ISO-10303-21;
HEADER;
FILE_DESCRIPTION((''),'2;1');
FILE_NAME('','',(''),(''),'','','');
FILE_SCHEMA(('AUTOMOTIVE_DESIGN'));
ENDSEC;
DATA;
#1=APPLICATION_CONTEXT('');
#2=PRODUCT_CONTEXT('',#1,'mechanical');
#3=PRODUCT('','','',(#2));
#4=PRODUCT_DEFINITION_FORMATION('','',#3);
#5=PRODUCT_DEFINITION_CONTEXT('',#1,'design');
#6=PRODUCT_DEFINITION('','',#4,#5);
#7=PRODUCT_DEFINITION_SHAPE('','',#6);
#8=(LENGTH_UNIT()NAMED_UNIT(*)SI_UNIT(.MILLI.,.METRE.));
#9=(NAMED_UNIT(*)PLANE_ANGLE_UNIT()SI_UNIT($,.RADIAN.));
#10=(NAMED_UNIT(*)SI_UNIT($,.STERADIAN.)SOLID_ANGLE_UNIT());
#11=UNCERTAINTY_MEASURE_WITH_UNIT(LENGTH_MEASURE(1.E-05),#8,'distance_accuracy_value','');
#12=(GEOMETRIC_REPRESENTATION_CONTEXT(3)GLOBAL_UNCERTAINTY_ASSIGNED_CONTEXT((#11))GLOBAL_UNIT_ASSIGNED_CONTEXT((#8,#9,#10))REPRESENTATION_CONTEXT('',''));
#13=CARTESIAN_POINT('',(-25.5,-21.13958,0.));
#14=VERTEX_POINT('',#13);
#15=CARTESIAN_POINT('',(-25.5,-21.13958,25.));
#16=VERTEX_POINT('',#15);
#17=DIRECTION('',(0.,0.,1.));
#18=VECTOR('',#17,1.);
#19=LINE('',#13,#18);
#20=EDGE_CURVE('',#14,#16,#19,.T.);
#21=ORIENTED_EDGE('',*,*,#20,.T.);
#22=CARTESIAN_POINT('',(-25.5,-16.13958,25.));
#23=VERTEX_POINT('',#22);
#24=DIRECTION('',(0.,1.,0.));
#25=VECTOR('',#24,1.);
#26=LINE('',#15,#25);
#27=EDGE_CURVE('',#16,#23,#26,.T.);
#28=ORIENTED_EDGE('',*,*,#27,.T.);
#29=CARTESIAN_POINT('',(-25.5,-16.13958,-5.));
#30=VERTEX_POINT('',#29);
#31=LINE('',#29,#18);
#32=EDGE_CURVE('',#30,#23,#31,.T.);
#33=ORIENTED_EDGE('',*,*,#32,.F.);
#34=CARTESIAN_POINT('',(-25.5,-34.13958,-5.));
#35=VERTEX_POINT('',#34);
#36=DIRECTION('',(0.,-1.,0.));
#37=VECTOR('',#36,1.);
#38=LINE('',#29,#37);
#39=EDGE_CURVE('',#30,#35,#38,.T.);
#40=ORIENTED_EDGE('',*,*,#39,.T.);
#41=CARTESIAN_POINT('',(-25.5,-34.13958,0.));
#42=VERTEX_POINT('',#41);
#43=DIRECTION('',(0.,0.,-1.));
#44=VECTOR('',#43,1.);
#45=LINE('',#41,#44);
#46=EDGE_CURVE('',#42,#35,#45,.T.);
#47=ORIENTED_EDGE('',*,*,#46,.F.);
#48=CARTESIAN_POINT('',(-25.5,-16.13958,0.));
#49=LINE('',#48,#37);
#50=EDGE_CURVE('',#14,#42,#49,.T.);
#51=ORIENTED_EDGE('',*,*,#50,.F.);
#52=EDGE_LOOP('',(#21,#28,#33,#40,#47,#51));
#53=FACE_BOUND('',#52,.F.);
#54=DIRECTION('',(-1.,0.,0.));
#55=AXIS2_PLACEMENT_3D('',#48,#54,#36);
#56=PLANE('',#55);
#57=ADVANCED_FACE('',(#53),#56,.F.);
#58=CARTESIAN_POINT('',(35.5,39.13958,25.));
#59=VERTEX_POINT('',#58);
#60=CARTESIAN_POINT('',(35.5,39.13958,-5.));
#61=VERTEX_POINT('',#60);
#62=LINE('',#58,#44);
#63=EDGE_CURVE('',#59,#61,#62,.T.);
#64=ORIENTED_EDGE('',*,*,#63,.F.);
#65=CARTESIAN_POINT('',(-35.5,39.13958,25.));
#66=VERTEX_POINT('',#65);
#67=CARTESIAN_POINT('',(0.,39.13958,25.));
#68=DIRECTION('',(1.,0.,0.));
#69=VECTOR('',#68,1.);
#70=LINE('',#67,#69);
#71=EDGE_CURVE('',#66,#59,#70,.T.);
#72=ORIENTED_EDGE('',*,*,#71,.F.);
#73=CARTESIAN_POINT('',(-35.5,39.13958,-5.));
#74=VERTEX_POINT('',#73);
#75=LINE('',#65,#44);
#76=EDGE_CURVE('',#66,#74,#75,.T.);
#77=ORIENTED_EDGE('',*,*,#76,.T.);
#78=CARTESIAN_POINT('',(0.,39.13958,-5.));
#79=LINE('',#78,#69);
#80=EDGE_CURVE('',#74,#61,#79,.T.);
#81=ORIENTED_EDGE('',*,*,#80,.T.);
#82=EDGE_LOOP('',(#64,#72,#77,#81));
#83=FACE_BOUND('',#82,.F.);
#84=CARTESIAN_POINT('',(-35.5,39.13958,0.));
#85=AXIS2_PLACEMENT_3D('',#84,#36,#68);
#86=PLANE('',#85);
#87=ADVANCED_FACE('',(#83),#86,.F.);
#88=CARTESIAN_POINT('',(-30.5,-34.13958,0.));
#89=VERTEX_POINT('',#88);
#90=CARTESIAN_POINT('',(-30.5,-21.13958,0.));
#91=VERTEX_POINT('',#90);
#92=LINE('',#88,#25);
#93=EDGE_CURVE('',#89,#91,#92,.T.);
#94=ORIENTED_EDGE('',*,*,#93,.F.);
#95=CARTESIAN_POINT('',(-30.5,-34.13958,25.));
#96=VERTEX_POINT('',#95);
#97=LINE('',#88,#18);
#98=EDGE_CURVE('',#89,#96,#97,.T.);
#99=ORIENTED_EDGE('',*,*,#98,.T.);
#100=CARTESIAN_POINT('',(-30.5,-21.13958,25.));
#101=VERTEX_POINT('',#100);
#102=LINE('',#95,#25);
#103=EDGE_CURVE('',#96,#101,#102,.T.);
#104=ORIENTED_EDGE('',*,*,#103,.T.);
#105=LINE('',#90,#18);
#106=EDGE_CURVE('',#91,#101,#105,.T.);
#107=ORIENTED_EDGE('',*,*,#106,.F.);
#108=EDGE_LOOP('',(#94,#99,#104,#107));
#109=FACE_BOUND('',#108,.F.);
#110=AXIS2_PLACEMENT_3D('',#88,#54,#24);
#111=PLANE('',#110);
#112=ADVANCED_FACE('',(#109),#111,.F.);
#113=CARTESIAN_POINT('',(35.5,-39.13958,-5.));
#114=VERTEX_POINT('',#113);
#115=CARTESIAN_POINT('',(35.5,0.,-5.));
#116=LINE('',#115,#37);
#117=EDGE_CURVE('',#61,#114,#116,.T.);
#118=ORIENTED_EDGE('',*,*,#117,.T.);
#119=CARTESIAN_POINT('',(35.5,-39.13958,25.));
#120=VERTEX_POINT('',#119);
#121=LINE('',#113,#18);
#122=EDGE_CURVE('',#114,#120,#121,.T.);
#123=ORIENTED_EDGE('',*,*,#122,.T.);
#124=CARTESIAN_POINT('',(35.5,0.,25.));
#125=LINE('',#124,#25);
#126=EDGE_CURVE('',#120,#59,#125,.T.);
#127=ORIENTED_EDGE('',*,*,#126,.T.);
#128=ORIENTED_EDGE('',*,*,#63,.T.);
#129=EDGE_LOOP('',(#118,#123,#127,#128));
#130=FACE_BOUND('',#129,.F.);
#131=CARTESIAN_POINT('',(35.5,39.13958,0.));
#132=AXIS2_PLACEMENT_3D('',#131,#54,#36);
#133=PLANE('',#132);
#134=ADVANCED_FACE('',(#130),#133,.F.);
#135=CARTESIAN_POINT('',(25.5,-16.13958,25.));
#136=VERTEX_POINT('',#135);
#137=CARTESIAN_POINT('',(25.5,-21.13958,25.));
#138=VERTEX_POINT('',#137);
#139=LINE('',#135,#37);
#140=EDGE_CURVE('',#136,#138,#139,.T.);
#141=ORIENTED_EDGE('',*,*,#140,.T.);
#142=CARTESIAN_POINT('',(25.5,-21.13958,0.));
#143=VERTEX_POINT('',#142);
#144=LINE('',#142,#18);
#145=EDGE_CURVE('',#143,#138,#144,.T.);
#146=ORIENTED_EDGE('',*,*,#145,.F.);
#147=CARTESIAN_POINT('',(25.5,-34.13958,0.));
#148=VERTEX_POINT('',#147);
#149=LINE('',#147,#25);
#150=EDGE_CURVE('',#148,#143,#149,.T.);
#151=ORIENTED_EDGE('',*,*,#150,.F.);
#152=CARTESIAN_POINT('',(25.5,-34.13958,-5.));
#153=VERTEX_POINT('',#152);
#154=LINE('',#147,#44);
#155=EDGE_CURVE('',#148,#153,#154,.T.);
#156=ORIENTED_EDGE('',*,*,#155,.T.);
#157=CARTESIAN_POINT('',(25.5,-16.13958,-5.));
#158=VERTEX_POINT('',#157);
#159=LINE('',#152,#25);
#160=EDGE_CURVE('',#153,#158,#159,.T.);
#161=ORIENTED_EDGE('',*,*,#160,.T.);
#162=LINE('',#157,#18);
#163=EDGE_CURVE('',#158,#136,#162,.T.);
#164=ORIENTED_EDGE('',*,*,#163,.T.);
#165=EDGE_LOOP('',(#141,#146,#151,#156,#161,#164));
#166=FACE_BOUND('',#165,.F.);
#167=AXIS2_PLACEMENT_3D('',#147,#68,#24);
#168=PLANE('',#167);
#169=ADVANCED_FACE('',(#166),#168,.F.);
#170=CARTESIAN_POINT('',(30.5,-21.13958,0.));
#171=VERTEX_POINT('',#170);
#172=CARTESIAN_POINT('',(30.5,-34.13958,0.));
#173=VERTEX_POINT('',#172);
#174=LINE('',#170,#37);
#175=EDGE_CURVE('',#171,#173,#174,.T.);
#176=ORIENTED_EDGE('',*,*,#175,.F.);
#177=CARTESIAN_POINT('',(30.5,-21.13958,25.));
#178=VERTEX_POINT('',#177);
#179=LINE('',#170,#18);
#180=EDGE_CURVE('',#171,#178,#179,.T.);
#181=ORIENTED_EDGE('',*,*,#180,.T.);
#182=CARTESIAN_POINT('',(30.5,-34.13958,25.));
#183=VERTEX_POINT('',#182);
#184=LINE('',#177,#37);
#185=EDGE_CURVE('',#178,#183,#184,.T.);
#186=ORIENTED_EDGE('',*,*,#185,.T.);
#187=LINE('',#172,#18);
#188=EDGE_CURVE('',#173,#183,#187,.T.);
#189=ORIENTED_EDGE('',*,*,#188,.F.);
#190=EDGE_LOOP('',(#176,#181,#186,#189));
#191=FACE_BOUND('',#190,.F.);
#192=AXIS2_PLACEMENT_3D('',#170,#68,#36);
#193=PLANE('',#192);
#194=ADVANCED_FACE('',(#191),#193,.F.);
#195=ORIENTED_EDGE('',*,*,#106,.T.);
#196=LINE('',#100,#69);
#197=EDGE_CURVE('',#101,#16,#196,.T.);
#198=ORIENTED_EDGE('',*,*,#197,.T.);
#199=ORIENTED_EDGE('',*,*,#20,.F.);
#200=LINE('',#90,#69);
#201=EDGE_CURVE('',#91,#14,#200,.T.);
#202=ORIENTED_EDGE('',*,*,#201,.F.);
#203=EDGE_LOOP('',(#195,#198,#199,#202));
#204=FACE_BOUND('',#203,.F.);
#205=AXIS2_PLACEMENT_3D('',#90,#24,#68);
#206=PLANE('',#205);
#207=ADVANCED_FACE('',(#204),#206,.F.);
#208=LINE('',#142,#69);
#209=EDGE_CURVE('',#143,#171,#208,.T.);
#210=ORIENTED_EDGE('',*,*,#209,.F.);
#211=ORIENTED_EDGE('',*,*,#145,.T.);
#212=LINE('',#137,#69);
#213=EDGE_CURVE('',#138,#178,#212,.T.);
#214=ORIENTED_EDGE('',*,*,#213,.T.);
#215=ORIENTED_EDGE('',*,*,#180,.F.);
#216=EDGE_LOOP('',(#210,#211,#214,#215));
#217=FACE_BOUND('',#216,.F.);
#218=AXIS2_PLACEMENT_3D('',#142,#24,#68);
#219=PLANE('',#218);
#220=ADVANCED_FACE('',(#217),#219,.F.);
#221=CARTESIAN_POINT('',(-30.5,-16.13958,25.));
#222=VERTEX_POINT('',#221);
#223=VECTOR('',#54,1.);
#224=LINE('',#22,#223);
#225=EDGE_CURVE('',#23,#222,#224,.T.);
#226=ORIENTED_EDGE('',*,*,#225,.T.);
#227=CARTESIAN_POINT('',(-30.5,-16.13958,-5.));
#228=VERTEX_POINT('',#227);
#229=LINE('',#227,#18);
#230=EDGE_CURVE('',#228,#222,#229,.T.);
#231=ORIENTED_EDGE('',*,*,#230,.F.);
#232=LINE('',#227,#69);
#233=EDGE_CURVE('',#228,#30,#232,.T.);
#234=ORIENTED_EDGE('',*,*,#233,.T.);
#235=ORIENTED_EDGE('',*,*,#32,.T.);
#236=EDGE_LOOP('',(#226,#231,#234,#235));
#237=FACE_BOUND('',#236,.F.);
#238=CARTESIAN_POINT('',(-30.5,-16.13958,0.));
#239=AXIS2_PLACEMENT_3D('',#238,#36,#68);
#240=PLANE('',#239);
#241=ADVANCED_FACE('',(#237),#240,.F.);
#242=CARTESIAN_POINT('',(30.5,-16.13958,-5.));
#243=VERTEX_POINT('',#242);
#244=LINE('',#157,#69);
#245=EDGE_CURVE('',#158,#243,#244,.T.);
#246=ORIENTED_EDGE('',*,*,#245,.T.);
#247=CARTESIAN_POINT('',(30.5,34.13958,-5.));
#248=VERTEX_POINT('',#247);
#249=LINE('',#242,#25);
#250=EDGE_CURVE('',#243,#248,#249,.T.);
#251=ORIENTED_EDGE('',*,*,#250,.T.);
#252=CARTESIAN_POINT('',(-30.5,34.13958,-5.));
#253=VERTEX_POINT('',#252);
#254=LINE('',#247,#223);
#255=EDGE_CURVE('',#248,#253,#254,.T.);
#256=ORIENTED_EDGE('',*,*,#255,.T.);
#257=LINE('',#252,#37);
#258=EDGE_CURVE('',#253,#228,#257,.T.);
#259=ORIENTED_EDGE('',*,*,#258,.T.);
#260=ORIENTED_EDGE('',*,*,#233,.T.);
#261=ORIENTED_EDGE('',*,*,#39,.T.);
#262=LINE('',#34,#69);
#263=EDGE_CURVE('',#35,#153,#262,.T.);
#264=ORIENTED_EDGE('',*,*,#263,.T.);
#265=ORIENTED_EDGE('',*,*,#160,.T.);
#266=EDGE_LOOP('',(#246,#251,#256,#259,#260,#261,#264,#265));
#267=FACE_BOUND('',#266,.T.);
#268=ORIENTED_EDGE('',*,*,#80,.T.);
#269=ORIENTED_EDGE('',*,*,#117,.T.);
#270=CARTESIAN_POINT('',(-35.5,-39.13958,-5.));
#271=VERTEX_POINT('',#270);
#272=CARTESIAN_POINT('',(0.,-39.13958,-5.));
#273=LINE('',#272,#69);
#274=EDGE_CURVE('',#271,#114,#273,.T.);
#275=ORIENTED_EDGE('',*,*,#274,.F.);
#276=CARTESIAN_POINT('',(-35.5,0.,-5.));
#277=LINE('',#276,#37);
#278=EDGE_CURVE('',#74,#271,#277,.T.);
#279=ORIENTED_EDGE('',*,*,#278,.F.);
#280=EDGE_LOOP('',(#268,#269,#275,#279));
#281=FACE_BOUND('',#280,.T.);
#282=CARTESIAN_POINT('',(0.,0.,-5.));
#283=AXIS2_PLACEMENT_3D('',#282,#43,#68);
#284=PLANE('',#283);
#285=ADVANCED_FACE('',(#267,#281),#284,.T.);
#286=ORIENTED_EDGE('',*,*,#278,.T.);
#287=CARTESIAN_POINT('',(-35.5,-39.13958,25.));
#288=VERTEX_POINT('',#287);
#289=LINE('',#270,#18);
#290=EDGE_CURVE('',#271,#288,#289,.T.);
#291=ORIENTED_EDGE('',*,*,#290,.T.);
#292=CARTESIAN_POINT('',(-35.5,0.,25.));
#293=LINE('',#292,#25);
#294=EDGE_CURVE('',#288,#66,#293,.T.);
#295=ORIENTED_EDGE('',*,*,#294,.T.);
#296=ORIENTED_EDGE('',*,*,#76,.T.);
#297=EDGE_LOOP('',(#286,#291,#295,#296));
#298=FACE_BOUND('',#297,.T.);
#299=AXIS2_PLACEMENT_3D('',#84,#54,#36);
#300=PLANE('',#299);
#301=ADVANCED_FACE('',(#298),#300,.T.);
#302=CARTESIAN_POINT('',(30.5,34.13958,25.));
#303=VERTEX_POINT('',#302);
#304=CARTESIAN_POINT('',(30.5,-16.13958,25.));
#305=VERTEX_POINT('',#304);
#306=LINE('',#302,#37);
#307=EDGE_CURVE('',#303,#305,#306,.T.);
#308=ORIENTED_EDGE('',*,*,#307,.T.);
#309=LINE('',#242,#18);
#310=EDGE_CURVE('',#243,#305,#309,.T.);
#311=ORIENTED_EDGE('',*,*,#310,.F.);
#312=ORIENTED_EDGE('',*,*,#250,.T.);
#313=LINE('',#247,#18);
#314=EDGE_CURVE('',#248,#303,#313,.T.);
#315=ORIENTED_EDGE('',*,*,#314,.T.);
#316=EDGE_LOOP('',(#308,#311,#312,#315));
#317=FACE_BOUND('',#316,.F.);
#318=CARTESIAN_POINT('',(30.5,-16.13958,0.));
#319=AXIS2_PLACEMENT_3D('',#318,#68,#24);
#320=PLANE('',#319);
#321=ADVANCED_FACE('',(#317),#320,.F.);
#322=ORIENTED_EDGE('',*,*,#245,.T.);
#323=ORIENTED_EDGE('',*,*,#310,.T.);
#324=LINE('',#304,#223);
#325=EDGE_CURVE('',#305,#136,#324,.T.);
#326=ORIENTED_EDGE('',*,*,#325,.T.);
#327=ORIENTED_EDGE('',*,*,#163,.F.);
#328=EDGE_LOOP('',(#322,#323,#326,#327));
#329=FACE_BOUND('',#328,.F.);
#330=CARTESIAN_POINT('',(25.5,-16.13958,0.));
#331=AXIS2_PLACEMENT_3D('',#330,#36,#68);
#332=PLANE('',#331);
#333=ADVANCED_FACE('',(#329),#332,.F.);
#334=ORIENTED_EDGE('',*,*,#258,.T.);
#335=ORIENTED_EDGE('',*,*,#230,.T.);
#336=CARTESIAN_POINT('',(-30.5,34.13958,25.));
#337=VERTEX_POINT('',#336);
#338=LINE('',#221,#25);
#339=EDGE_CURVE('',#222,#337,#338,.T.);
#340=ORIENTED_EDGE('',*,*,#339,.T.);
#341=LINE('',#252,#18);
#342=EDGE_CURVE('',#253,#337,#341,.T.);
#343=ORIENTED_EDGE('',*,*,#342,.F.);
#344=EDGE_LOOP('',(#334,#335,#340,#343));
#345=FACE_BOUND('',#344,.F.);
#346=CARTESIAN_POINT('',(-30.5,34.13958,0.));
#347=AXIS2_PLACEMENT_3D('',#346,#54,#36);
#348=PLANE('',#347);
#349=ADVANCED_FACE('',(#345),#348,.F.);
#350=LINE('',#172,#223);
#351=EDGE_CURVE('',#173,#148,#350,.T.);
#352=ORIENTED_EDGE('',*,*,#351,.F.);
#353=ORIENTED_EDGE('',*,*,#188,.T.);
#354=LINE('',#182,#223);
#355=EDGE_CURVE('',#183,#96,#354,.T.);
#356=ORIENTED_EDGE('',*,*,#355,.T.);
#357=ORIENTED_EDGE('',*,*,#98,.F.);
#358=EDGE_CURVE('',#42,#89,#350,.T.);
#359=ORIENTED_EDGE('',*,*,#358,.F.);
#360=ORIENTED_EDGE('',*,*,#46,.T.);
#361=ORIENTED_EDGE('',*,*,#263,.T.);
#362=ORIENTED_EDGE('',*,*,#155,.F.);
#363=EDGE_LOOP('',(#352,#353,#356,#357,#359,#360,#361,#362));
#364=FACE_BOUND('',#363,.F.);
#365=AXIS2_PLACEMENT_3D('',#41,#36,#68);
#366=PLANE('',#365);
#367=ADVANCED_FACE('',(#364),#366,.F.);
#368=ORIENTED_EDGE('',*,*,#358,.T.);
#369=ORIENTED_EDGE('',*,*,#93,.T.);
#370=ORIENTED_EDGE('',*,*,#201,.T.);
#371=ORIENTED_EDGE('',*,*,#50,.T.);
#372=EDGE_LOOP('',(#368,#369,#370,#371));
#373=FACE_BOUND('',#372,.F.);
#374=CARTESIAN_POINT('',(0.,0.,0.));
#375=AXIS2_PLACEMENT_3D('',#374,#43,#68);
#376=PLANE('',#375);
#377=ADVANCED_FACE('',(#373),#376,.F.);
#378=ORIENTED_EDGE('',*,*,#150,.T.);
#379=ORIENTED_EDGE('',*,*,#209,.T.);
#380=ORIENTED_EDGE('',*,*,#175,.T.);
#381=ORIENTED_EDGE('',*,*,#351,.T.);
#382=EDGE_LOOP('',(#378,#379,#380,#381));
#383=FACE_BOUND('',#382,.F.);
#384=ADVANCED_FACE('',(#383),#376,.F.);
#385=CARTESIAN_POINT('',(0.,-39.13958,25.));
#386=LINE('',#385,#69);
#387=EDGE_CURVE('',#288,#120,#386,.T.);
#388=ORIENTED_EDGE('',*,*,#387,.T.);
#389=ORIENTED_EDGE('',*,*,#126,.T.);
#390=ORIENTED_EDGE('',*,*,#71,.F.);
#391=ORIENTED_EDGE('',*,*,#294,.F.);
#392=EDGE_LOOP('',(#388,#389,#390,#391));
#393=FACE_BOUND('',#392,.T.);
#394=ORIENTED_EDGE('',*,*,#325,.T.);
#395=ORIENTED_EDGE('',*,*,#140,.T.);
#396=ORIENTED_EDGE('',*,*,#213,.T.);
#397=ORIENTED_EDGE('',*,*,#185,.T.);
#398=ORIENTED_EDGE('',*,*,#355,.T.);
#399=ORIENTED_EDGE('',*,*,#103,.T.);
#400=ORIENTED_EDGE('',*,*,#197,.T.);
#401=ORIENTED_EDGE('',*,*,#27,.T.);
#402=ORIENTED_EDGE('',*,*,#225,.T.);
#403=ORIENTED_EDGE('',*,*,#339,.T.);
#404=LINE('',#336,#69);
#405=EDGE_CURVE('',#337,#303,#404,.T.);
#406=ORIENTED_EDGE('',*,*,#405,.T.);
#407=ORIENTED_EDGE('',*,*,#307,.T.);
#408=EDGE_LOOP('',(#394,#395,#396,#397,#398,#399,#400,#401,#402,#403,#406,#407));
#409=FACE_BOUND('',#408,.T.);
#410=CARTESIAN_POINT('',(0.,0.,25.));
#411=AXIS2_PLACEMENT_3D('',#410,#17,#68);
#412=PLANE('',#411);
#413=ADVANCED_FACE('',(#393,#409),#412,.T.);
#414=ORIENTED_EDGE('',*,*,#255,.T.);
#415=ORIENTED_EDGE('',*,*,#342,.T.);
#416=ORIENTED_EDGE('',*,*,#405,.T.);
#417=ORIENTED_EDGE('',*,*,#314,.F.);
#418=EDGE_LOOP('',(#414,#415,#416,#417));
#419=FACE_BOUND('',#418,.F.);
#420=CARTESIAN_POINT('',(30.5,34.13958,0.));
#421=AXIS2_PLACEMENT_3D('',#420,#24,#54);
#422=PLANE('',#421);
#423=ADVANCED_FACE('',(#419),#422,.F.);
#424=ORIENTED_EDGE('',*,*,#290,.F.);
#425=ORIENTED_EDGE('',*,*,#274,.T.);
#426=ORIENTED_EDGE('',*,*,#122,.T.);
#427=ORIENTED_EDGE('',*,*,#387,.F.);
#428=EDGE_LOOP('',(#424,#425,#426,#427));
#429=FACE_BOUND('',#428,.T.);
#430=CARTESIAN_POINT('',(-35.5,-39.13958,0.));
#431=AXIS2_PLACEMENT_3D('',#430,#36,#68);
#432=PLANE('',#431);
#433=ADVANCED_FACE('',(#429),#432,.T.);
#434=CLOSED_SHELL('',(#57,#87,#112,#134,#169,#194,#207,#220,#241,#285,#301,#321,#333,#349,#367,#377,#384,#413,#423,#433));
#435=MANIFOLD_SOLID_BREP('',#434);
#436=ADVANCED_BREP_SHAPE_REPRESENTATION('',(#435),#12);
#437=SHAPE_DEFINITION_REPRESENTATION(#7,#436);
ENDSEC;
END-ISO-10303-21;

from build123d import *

# Parameters (mm, degrees)
F0_W     = 71
F0_H     = 78.27916
F1_DEPTH = 25
F2_W     = 71
F2_H     = 78.27916
F3_DEPTH = 5


with BuildPart() as f1:
    # F0 (on Top) → F1 (new body)
    with BuildSketch(Plane.XY):
        Rectangle(F0_W, F0_H)
        Polygon((-30.5, -34.13958), (-30.5, -21.13958), (-25.5, -21.13958), (-25.5, -16.13958), (-30.5, -16.13958), (-30.5, 34.13958), (30.5, 34.13958), (30.5, -16.13958), (25.5, -16.13958), (25.5, -21.13958), (30.5, -21.13958), (30.5, -34.13958), align=None, mode=Mode.SUBTRACT)
    extrude(amount=F1_DEPTH)

    # F2 (on face) → F3 (join)
    with BuildSketch(Plane(origin=(0, 0, 0), x_dir=(1, 0, 0), z_dir=(0, 0, -1))):
        Rectangle(F2_W, F2_H)
        Polygon((-25.5, 34.13958), (25.5, 34.13958), (25.5, 16.13958), (30.5, 16.13958), (30.5, -34.13958), (-30.5, -34.13958), (-30.5, 16.13958), (-25.5, 16.13958), align=None, mode=Mode.SUBTRACT)
    extrude(amount=F3_DEPTH)


solid = f1.part
